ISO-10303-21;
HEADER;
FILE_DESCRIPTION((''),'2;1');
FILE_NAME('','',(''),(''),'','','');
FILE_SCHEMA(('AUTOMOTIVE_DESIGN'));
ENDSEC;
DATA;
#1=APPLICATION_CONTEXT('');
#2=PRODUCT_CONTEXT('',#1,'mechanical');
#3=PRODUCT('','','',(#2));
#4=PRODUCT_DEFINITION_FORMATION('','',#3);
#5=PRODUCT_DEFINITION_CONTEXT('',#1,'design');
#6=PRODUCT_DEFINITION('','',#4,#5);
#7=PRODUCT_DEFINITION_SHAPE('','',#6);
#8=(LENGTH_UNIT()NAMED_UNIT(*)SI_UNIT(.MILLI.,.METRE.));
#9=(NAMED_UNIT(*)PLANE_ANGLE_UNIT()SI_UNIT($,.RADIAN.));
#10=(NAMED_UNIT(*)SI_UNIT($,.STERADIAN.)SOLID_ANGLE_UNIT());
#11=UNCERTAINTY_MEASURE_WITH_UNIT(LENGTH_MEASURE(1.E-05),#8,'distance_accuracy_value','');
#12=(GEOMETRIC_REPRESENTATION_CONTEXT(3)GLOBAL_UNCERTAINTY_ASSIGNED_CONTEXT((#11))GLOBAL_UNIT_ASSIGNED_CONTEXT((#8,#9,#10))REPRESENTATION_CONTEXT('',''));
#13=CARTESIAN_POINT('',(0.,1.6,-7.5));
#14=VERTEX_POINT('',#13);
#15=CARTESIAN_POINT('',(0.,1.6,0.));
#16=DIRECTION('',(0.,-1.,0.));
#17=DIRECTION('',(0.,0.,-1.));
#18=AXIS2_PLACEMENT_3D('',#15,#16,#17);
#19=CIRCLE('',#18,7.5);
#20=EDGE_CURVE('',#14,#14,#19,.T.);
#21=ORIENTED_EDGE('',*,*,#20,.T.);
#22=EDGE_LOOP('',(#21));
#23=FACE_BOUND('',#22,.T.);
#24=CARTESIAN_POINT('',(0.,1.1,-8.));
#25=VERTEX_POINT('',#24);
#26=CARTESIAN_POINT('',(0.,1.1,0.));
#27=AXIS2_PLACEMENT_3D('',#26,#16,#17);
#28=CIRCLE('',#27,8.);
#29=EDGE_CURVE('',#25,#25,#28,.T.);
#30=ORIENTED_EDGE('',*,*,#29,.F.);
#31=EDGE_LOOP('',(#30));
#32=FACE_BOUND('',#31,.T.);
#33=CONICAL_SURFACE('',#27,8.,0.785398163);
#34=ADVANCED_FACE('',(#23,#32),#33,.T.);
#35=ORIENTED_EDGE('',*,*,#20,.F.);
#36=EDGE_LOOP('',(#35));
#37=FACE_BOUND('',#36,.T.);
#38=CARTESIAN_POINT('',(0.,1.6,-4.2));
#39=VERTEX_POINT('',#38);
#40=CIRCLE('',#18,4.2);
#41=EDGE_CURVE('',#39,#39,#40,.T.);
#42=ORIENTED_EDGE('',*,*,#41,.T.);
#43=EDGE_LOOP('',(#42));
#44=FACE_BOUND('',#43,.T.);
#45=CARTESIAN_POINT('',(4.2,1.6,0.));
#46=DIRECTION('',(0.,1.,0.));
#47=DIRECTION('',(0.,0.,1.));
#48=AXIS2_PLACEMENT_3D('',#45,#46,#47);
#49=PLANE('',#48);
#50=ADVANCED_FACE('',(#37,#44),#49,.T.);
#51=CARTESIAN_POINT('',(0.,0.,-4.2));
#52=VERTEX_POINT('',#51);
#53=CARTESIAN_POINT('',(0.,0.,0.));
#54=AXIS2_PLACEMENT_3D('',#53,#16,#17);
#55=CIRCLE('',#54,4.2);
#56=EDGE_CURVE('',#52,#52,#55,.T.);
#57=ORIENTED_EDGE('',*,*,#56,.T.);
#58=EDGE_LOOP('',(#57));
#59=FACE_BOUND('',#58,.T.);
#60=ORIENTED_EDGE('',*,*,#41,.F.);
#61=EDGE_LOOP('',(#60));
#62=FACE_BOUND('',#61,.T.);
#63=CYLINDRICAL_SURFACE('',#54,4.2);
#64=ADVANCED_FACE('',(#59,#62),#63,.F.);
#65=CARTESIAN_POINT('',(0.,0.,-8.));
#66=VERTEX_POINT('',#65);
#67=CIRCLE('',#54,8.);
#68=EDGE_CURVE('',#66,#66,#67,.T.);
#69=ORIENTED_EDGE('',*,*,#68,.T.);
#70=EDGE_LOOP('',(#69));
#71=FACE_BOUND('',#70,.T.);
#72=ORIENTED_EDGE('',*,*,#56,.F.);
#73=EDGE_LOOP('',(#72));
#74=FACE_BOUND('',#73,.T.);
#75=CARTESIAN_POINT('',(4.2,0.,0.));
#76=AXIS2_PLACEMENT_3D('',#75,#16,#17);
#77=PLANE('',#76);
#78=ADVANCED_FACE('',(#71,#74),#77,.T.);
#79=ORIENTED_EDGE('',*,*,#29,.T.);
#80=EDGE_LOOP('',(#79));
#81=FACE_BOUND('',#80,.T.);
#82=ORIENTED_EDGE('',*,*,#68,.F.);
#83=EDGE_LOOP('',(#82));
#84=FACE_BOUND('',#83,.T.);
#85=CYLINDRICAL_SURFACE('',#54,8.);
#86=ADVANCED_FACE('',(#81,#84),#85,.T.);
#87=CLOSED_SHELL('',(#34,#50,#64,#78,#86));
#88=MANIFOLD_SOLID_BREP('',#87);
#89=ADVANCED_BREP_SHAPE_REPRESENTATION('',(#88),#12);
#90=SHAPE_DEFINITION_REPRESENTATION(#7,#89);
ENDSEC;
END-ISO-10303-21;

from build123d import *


with BuildPart() as part:
    # Szkic1 → Obrót1 (revolve)
    with BuildSketch(Plane.XY):
        Polygon((4.2, 0), (8, 0), (8, 1.1), (7.5, 1.6), (4.2, 1.6), align=None)
    revolve(axis=Axis((0, 0, 0), (0, 1, 0)))


solid = part.part
